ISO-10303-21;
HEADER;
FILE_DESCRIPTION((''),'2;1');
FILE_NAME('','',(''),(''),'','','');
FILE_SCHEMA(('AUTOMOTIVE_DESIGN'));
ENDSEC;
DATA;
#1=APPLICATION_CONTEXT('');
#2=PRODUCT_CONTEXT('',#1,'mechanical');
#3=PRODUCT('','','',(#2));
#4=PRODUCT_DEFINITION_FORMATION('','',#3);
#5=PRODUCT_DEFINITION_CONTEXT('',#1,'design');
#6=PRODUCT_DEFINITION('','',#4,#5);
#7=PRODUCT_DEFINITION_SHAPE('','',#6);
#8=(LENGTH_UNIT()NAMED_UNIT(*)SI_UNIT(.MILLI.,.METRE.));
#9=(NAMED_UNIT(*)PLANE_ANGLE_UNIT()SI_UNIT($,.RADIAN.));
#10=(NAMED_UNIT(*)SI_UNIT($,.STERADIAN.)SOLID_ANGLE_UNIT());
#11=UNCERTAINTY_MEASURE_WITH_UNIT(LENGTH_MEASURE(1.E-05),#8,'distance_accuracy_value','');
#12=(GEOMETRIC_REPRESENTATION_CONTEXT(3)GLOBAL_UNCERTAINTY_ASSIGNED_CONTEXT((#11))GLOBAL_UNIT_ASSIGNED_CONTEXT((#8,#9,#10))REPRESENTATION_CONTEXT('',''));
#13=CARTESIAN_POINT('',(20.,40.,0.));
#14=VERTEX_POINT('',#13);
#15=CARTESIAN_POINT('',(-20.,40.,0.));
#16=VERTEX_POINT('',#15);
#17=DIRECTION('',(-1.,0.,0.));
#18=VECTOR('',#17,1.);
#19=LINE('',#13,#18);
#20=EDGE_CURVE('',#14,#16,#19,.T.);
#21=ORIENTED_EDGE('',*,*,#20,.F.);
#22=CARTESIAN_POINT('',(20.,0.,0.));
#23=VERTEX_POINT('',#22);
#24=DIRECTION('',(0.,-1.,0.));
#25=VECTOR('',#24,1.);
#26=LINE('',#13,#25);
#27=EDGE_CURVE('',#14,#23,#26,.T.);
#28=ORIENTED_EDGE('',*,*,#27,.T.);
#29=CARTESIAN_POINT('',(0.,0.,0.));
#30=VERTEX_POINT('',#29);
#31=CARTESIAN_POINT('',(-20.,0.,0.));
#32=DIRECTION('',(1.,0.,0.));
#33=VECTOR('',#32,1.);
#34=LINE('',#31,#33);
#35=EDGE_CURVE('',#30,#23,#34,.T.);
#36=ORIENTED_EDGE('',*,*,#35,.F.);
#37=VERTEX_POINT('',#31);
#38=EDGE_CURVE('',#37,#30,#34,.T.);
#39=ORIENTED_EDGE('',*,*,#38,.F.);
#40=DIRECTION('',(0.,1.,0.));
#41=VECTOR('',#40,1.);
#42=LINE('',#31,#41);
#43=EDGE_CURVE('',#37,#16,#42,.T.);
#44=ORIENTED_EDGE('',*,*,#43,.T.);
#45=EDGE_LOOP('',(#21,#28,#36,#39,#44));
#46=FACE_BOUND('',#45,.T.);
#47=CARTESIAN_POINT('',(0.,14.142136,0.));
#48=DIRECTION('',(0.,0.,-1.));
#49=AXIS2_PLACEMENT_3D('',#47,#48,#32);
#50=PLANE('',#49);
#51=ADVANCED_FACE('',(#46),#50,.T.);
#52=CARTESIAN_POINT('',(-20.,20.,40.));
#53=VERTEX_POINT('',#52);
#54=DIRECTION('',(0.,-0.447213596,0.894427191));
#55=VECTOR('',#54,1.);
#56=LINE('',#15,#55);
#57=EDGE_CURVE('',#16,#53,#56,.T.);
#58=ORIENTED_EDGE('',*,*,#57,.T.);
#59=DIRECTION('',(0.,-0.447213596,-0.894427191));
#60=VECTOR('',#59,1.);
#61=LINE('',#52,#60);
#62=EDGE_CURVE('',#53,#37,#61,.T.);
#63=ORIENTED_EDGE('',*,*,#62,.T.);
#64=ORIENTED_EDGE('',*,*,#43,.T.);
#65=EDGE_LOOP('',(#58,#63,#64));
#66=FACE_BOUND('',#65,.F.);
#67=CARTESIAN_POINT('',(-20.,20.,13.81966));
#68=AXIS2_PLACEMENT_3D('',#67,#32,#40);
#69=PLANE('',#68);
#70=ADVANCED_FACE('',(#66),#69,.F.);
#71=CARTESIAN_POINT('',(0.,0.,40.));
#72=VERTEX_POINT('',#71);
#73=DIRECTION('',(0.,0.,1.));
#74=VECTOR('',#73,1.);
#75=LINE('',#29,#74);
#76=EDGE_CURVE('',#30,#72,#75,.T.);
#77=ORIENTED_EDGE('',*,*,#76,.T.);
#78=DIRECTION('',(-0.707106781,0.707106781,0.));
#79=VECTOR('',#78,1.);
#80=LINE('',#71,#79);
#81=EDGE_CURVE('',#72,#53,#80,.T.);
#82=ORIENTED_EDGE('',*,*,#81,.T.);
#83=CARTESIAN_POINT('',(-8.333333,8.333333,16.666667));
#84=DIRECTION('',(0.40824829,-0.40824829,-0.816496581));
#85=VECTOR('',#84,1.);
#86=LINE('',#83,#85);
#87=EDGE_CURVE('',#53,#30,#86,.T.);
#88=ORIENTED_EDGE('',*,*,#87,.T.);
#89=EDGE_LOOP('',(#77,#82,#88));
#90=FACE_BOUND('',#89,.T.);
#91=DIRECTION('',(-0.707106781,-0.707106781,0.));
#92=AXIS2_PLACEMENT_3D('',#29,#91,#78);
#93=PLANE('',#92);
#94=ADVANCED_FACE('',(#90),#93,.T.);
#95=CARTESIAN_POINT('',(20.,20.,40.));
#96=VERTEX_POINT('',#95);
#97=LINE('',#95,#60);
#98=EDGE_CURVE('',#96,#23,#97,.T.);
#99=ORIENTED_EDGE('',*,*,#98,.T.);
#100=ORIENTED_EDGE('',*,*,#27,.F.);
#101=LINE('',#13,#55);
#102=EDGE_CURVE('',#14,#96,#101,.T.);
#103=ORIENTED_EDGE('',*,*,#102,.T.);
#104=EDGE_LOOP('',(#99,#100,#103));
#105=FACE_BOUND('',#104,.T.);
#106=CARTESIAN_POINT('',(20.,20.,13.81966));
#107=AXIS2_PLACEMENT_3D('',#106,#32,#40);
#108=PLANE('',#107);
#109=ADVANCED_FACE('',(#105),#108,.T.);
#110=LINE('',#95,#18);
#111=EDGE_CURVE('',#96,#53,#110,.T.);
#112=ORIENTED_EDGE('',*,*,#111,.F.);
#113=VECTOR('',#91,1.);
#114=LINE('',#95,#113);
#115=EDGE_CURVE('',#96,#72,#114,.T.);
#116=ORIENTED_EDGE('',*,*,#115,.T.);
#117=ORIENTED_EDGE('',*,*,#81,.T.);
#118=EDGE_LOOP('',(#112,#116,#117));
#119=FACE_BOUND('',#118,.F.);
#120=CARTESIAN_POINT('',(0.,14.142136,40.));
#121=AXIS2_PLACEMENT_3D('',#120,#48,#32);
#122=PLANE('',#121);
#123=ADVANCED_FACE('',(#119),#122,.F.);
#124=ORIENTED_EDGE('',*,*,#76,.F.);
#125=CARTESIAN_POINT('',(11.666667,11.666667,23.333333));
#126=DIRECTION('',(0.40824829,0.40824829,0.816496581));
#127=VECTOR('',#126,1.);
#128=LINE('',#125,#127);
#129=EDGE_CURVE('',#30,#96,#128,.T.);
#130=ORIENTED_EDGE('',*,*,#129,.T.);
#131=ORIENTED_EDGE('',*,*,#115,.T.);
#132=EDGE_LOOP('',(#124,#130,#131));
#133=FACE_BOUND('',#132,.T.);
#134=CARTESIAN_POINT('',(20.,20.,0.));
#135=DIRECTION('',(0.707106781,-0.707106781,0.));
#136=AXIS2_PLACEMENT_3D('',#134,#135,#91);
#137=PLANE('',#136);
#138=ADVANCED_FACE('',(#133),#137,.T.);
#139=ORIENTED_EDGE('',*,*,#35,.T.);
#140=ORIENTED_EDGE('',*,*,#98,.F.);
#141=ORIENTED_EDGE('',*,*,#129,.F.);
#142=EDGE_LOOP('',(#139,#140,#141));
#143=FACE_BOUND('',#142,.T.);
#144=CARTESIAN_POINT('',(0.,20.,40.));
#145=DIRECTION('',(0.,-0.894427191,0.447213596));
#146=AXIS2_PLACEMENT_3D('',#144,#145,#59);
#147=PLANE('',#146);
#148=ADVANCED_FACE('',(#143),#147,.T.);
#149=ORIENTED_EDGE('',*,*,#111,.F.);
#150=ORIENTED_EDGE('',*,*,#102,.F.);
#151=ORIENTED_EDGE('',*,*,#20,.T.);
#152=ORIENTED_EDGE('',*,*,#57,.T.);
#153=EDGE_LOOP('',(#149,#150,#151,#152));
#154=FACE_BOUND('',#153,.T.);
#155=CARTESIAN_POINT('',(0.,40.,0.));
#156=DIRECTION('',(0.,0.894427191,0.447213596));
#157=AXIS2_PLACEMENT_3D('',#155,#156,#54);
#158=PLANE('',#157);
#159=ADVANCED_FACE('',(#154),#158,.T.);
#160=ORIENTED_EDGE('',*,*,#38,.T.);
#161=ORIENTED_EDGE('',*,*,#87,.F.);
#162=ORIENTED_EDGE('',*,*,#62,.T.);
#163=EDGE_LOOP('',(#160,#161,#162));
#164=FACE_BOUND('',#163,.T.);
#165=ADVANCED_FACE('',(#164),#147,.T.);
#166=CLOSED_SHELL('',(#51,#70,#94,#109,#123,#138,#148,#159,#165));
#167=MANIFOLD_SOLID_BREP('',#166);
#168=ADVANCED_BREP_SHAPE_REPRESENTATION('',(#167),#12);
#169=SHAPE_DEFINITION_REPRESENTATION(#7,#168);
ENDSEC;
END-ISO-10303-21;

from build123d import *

# Parameters (mm, degrees)
F1_DEPTH = 20
F3_DEPTH = 40


with BuildPart() as f1:
    # F0 (on Right) → F1 (new body, symmetric)
    with BuildSketch(Plane.YZ):
        Polygon((20, 40), (0, 0), (40, 0), align=None)
    extrude(amount=F1_DEPTH, both=True)

    # F2 (on face) → F3 (join)
    with BuildSketch(Plane(origin=(0, 0, 0), x_dir=(1, 0, 0), z_dir=(0, 0, -1))):
        Polygon((20, -20), (0, 0), (-20, -20), align=None)
    extrude(amount=-F3_DEPTH)


solid = f1.part
